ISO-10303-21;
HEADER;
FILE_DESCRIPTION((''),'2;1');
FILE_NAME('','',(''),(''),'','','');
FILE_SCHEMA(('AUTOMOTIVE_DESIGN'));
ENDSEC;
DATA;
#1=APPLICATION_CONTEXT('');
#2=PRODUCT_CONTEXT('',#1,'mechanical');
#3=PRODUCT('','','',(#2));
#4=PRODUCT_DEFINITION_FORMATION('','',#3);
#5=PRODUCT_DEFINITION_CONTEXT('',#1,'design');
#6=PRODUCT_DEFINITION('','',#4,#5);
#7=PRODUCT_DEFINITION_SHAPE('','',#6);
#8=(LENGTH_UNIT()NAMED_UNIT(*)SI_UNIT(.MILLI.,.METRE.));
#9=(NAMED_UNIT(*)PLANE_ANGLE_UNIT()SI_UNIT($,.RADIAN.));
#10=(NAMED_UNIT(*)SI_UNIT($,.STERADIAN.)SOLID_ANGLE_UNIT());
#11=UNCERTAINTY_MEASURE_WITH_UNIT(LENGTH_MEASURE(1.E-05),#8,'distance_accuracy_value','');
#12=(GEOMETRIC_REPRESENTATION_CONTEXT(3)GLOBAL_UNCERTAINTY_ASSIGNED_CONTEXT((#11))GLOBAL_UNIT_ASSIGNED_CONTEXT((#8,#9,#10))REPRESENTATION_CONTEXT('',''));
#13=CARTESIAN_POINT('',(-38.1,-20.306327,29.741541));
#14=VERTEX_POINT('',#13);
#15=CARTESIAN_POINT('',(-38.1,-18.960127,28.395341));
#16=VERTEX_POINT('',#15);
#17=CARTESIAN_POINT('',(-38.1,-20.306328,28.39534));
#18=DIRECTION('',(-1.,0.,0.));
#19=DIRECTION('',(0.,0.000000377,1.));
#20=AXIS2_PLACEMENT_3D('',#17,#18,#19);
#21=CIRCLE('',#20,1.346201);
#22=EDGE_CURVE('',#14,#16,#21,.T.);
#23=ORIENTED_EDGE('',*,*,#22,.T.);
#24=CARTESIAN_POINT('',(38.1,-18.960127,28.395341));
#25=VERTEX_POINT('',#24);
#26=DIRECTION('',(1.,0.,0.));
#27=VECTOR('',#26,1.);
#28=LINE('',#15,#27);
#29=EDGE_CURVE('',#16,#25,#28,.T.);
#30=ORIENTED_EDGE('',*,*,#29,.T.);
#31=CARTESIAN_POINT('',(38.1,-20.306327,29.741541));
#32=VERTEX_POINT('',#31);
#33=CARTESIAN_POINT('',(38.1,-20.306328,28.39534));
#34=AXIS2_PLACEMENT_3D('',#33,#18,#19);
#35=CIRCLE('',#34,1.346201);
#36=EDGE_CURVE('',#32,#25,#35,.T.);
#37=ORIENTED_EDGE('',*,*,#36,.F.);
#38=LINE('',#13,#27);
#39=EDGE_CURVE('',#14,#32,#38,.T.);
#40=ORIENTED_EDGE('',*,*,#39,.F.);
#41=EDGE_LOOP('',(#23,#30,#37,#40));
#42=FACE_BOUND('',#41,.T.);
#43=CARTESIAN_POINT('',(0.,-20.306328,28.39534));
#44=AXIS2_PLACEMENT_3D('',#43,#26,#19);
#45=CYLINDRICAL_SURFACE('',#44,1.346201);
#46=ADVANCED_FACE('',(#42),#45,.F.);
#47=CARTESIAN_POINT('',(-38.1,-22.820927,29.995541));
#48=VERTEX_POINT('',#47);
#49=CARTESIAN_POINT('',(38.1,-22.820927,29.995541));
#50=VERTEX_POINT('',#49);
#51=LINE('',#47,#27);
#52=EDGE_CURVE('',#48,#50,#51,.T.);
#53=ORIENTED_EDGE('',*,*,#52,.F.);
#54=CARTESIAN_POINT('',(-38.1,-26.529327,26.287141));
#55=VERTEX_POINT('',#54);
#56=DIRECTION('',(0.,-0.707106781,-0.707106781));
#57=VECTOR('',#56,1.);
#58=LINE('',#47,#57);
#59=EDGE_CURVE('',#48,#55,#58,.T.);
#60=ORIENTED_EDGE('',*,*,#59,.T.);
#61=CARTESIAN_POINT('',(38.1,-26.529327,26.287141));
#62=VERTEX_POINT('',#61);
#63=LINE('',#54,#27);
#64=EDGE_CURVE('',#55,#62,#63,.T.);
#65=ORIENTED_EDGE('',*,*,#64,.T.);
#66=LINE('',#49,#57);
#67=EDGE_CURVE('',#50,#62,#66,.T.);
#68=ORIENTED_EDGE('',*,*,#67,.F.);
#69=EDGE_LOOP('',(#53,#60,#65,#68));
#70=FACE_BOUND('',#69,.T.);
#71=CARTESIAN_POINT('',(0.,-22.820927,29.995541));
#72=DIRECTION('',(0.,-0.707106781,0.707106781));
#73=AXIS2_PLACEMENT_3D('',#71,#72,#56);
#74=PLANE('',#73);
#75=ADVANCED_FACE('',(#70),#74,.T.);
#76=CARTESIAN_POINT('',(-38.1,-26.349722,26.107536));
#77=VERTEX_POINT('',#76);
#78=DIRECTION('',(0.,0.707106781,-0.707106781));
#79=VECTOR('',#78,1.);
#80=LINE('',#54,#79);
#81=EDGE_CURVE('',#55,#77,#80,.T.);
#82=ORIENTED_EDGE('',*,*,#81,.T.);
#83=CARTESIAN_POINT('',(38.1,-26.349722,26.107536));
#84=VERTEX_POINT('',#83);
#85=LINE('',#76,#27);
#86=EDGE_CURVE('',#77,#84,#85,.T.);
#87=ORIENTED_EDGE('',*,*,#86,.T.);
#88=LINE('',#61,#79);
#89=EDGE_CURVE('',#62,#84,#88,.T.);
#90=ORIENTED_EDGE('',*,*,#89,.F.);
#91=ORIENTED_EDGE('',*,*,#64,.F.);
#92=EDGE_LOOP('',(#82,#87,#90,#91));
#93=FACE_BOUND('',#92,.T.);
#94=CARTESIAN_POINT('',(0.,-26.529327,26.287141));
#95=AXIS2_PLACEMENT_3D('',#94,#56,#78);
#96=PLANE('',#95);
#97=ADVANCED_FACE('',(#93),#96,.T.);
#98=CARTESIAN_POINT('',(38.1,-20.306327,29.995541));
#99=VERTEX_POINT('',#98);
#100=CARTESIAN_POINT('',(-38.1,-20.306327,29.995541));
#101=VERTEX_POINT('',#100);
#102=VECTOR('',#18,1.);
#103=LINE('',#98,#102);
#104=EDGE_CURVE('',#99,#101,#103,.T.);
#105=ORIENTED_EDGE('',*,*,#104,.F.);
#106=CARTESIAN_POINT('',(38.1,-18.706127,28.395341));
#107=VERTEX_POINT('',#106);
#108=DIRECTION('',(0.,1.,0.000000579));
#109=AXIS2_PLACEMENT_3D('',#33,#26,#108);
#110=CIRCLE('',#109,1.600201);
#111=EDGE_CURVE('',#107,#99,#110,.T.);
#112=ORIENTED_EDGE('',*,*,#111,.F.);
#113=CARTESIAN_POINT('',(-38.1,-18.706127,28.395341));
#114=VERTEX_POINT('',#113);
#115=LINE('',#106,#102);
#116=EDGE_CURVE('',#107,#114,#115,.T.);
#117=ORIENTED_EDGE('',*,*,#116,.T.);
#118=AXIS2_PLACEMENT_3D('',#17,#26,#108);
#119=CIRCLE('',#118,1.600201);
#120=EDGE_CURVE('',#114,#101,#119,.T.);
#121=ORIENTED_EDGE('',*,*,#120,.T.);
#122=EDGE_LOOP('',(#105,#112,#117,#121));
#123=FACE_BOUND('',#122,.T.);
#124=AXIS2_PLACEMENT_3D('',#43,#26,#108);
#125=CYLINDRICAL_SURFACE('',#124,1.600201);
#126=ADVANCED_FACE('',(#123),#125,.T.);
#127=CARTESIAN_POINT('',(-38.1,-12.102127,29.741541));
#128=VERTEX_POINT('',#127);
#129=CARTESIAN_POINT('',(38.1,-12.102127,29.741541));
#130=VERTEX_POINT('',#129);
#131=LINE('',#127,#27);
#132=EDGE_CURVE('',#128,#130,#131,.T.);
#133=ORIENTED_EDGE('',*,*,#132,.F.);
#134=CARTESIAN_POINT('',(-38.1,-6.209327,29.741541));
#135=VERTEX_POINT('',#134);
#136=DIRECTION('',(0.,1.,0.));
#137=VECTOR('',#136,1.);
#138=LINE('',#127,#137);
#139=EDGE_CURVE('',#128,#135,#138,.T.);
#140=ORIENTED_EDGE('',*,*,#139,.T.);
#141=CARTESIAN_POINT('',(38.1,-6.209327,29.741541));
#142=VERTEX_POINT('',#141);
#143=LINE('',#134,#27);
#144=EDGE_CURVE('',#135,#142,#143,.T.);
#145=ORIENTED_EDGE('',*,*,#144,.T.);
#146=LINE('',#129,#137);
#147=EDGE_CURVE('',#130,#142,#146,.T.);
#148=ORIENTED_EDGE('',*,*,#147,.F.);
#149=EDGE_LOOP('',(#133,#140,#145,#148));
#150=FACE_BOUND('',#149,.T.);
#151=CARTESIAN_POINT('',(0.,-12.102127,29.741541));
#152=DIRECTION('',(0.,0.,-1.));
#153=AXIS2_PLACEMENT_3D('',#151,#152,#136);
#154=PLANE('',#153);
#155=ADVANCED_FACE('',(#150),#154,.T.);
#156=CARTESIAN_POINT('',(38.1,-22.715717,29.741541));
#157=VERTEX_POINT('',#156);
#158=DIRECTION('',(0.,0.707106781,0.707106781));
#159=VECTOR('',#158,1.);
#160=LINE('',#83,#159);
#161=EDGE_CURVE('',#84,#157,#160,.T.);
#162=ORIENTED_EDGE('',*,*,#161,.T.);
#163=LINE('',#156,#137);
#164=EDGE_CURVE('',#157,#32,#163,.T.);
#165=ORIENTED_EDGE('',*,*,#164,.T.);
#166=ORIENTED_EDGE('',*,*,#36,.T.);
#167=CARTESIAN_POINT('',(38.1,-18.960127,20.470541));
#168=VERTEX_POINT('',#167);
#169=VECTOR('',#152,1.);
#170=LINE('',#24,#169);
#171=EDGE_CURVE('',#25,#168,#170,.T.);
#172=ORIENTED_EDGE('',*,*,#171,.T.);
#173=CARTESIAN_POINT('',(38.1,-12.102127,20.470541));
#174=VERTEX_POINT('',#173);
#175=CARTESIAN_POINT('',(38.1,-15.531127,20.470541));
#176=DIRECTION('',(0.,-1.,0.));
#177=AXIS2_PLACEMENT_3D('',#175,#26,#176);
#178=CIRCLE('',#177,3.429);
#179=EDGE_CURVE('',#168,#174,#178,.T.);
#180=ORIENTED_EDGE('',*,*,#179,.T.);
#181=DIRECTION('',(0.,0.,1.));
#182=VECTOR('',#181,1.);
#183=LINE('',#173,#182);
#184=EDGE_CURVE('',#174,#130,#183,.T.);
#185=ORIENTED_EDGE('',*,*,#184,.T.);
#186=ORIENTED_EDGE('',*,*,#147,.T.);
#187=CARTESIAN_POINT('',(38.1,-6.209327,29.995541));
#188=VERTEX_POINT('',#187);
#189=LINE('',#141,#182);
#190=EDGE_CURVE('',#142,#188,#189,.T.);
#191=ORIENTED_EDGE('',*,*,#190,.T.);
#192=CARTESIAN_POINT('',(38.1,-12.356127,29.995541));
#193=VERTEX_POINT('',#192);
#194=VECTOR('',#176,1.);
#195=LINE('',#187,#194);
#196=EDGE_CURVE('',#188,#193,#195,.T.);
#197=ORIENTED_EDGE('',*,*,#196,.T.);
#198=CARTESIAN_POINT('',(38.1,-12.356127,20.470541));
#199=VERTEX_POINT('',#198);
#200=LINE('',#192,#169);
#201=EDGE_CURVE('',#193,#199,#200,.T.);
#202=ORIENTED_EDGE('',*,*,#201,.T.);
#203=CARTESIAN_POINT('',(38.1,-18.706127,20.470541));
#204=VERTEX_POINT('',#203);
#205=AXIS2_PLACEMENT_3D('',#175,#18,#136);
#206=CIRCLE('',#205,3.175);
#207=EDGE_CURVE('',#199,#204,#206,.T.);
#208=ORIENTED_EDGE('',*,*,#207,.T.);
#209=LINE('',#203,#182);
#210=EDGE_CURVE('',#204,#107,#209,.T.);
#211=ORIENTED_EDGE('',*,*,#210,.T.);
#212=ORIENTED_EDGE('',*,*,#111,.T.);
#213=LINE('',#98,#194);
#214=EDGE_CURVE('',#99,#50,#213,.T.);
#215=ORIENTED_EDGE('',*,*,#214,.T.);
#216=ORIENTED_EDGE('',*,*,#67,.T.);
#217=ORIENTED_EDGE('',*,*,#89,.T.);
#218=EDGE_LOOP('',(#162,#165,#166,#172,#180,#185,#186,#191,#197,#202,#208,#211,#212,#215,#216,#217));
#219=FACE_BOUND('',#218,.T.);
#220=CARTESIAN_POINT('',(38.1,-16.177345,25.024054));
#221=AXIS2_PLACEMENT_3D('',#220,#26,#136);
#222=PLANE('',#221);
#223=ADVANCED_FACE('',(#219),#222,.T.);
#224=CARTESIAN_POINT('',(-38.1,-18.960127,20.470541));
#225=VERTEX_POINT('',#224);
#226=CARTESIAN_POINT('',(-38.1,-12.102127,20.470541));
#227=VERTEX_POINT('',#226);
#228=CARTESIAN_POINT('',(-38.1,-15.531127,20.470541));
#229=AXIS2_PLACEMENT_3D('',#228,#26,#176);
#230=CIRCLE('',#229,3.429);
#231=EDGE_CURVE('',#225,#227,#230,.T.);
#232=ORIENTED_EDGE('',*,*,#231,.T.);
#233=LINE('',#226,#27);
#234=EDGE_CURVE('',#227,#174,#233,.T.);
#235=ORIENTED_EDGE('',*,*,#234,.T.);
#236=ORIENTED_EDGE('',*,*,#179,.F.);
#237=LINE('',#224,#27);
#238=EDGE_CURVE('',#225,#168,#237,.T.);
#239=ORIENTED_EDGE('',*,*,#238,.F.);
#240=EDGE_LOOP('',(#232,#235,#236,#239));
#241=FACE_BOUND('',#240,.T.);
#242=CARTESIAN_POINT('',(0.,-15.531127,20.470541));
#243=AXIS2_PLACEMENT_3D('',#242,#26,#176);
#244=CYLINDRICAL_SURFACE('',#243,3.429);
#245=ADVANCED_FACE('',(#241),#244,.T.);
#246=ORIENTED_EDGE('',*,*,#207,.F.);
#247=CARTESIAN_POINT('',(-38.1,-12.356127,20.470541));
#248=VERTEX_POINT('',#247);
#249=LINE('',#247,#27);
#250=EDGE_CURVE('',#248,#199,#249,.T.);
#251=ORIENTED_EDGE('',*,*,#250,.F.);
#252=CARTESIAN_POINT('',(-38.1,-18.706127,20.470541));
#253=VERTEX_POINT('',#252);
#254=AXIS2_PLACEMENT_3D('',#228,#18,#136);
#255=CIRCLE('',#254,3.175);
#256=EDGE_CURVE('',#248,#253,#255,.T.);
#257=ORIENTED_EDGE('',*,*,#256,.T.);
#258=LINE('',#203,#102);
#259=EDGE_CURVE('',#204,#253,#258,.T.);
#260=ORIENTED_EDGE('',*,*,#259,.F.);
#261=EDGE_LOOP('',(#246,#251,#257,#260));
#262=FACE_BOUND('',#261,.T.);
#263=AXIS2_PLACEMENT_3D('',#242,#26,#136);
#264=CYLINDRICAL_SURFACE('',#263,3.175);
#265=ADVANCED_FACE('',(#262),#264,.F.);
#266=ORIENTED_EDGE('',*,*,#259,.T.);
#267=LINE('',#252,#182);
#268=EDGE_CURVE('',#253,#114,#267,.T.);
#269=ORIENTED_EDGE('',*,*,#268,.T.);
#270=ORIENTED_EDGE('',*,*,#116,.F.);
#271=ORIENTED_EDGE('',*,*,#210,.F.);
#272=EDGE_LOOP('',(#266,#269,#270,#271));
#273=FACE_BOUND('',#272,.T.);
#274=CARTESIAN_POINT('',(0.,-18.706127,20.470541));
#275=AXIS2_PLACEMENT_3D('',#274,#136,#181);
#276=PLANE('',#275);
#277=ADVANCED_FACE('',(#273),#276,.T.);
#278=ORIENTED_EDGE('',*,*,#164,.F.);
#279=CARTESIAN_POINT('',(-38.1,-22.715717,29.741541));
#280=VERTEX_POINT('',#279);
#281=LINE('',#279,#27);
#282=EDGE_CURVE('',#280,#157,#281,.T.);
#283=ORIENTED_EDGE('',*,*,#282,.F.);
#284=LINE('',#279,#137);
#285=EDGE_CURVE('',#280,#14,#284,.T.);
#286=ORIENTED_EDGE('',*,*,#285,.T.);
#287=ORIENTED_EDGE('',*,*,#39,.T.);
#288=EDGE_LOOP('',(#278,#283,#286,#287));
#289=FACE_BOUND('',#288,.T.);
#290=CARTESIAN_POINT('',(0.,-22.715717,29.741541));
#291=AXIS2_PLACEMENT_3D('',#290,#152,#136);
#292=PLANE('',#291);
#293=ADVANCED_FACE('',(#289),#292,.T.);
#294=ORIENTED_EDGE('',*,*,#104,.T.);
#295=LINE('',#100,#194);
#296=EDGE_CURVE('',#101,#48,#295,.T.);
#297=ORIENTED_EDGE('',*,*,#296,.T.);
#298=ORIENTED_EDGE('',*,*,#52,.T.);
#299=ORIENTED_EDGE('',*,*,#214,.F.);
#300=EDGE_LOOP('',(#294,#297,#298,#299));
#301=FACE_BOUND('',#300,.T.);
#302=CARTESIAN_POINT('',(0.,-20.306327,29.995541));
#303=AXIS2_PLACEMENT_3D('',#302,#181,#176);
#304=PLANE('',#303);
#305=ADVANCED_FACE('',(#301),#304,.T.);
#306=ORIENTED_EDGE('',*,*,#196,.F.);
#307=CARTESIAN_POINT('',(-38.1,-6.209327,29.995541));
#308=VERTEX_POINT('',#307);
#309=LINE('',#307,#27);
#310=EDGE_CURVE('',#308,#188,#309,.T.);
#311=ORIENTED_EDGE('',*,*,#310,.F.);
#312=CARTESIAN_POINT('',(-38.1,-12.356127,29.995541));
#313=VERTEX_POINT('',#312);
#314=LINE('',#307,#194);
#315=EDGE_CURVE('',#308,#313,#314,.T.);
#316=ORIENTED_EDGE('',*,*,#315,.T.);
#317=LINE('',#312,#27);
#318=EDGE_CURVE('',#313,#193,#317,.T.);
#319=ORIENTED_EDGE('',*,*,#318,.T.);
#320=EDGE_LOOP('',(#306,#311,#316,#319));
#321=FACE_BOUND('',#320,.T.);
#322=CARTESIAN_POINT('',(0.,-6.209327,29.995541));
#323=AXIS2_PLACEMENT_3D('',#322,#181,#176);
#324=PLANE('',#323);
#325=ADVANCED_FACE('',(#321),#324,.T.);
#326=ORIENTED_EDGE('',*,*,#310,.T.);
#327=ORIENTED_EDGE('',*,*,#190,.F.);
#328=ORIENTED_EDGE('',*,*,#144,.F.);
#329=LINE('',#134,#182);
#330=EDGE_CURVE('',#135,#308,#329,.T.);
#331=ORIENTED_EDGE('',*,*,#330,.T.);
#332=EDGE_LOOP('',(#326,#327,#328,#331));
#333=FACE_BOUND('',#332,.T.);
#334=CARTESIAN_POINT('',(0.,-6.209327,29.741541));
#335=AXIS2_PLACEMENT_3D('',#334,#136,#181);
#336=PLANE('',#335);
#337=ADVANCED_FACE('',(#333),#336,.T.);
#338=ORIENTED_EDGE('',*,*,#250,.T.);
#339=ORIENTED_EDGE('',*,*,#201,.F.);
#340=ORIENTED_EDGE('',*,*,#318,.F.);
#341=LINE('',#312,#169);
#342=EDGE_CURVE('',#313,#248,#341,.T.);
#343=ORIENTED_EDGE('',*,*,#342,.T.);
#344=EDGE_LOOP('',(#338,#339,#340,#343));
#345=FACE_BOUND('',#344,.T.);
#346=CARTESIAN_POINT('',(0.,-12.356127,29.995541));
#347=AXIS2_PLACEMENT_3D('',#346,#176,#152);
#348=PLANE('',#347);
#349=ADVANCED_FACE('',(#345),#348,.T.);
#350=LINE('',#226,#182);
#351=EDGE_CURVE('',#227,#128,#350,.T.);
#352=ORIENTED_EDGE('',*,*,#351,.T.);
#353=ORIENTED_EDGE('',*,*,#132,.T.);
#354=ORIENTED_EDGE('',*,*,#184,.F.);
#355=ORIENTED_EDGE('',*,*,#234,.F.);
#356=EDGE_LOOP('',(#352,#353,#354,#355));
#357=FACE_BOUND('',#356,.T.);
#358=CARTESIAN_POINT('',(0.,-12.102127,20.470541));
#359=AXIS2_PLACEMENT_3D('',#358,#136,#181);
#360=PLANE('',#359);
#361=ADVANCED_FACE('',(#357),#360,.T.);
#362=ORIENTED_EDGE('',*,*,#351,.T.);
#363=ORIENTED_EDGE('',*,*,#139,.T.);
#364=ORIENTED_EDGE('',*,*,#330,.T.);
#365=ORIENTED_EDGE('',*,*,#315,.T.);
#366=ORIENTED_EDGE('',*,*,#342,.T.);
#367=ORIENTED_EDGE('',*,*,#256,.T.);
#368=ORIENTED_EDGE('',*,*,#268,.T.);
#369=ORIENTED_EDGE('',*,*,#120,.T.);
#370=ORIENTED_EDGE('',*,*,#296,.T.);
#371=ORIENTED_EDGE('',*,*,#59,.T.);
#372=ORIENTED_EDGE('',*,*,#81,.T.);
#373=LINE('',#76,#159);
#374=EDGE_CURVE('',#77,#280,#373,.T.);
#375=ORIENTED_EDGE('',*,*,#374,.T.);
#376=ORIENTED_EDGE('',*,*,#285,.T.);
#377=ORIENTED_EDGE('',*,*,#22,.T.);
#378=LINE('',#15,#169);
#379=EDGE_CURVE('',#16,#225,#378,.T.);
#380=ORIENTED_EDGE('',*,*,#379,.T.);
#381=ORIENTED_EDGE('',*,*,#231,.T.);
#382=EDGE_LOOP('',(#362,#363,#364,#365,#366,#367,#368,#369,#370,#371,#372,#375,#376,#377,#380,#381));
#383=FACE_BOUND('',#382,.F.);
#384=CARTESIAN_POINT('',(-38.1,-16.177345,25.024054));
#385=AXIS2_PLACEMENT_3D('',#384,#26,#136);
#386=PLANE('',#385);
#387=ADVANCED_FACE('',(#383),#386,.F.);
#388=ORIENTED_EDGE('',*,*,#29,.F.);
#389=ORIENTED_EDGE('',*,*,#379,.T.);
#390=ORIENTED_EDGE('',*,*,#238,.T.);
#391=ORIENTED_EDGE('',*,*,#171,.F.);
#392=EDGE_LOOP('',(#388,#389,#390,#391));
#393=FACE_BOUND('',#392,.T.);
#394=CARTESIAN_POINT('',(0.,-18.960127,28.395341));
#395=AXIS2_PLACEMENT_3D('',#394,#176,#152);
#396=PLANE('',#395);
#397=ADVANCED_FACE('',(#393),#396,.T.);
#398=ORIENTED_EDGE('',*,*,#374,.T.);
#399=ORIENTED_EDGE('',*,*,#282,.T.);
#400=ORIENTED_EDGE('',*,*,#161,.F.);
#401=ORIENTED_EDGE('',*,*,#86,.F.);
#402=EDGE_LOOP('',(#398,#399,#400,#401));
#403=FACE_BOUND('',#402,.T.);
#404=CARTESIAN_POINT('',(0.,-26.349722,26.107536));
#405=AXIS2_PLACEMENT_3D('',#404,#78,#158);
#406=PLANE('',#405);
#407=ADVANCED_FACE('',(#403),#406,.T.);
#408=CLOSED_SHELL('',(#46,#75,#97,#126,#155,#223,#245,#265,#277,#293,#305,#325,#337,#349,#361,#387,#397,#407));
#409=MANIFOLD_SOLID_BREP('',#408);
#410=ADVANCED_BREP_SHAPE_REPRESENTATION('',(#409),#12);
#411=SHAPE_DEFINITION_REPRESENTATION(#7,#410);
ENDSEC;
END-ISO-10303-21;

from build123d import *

# Parameters (mm, degrees)
F1_DEPTH = 38.1


with BuildPart() as f1:
    # F0 (on Right) → F1 (new body, symmetric)
    with BuildSketch(Plane.YZ):
        with BuildLine():
            Line((-20.306327, 29.995541), (-22.820927, 29.995541))
            Line((-22.820927, 29.995541), (-26.529327, 26.287141))
            Line((-26.529327, 26.287141), (-26.349722, 26.107536))
            Line((-26.349722, 26.107536), (-22.715717, 29.741541))
            Line((-22.715717, 29.741541), (-20.306327, 29.741541))
            ThreePointArc((-20.306327, 29.741541), (-19.35442, 29.347248), (-18.960127, 28.395341))
            Line((-18.960127, 28.395341), (-18.960127, 20.470541))
            ThreePointArc((-18.960127, 20.470541), (-15.531127, 17.041541), (-12.102127, 20.470541))
            Line((-12.102127, 20.470541), (-12.102127, 29.741541))
            Line((-12.102127, 29.741541), (-6.209327, 29.741541))
            Line((-6.209327, 29.741541), (-6.209327, 29.995541))
            Line((-6.209327, 29.995541), (-12.356127, 29.995541))
            Line((-12.356127, 29.995541), (-12.356127, 20.470541))
            ThreePointArc((-12.356127, 20.470541), (-15.531127, 17.295541), (-18.706127, 20.470541))
            Line((-18.706127, 20.470541), (-18.706127, 28.395341))
            ThreePointArc((-18.706127, 28.395341), (-19.174815, 29.526853), (-20.306327, 29.995541))
        make_face()
    extrude(amount=F1_DEPTH, both=True)


solid = f1.part
